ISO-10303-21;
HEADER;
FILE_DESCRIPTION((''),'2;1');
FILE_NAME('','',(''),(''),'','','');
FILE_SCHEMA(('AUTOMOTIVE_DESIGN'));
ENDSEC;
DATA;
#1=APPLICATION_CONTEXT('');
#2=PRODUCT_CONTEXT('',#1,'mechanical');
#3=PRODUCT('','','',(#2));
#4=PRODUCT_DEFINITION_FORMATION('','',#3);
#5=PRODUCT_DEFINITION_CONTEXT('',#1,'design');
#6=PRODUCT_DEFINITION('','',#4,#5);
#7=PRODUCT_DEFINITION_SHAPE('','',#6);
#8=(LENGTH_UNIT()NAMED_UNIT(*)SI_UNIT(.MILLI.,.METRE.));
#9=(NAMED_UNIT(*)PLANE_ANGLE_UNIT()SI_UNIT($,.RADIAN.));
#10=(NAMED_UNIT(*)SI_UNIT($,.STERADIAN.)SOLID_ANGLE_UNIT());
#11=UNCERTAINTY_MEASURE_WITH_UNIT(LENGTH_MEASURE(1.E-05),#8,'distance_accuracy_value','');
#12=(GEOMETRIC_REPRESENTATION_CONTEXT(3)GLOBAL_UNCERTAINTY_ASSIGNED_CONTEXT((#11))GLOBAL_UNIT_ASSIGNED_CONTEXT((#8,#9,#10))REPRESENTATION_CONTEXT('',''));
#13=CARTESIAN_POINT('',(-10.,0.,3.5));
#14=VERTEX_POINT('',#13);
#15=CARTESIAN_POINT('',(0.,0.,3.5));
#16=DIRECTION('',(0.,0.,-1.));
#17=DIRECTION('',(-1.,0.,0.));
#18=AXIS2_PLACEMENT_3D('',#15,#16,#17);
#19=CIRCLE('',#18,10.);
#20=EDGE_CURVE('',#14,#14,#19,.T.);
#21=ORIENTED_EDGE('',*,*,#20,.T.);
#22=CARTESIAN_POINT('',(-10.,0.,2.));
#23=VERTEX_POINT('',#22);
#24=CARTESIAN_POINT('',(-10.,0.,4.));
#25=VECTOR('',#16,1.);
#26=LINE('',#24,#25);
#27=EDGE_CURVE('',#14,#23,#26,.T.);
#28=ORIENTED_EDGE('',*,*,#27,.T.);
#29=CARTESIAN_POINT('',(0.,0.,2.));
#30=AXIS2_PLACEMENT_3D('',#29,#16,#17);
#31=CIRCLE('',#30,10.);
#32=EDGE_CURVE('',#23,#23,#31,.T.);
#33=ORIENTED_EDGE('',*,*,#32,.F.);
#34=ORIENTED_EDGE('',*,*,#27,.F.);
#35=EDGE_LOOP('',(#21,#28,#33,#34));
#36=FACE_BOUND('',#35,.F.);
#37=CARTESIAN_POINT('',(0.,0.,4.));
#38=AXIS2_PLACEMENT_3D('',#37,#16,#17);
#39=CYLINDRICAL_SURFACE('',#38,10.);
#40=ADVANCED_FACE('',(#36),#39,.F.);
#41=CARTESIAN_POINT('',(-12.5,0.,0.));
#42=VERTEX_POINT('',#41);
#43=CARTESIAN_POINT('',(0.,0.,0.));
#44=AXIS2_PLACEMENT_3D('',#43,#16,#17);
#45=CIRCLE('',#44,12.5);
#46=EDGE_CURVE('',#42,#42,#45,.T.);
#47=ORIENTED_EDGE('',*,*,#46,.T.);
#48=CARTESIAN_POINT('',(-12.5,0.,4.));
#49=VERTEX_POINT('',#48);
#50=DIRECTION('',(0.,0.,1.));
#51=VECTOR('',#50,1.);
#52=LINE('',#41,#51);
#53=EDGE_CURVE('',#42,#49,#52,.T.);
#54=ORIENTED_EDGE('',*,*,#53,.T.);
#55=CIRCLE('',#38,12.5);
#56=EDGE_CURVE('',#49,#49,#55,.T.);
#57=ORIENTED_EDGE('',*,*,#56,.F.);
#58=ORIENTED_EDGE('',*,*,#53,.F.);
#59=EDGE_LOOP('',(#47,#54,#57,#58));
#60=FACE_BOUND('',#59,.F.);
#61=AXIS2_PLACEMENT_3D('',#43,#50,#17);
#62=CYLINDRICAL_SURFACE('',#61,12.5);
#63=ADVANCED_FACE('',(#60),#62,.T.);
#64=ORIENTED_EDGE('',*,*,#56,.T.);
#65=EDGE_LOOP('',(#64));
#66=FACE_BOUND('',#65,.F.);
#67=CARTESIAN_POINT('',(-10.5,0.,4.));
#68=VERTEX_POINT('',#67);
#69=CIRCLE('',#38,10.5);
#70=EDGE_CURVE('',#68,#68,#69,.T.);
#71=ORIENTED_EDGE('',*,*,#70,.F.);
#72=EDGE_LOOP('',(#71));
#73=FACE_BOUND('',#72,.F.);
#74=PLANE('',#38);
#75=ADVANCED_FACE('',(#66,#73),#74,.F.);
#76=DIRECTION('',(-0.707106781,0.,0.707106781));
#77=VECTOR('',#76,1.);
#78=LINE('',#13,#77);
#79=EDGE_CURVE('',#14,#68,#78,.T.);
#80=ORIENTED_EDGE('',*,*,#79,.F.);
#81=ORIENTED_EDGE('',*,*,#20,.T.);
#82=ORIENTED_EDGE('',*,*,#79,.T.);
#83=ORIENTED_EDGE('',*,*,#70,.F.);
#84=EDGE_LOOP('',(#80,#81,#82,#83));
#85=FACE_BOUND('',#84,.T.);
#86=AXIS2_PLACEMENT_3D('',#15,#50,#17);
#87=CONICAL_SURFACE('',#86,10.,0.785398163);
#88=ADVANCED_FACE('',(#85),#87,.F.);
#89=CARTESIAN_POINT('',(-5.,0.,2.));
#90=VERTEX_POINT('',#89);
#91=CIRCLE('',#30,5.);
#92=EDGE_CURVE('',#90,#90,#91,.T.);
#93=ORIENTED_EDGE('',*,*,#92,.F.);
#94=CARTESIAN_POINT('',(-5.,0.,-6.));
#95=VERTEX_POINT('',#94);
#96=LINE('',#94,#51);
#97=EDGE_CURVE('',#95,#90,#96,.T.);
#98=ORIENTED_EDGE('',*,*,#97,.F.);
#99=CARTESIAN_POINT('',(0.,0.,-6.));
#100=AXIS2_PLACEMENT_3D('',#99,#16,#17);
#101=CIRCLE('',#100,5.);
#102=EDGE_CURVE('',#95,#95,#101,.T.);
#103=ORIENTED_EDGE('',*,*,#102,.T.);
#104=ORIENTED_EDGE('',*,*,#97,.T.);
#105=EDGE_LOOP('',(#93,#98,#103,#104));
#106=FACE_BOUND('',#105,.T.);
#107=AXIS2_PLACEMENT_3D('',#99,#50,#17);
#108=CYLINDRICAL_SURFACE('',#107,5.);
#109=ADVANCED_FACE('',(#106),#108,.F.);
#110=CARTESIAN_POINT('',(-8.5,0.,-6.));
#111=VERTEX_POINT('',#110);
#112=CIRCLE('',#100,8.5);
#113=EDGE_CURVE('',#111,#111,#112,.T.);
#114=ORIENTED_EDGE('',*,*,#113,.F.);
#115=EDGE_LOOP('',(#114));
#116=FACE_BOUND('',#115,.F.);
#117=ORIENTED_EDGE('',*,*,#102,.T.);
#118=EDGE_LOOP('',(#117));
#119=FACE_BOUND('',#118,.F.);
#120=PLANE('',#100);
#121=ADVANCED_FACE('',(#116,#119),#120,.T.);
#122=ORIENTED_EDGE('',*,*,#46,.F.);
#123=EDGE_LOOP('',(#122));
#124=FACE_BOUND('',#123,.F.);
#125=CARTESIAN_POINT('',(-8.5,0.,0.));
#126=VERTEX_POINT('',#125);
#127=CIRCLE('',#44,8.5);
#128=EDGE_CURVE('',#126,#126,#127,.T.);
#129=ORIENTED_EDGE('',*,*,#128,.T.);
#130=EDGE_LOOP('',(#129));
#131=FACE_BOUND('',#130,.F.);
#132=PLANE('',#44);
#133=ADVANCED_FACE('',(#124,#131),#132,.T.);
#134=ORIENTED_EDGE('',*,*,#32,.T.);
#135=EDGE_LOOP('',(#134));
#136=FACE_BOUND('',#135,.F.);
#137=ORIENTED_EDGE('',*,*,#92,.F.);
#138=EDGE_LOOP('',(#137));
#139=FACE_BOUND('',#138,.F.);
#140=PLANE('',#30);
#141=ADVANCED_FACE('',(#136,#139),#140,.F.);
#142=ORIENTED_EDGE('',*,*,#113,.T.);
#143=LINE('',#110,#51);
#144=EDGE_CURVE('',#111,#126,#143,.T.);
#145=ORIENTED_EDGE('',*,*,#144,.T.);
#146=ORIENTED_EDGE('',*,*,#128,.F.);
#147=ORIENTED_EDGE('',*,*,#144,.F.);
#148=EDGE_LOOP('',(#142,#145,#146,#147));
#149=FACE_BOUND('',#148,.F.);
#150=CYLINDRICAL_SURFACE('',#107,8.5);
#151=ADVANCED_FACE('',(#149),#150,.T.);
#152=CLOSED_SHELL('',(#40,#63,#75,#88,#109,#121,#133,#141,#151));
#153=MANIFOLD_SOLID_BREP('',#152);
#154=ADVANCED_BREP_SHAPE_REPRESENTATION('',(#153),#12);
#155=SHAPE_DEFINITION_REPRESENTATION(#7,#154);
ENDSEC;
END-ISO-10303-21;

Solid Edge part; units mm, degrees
sketch "Sketch1" plane through (0, 0, 0) normal (0, -1, 0) x (1, 0, 0)
  line L0 (-5, -6) -> (-5, 2)
  line L1 (-10, 2) -> (-5, 2)
  line L2 (-10, 4) -> (-10, 2)
  line L3 (-12.5, 4) -> (-10, 4)
  line L4 (-12.5, 0) -> (-12.5, 4)
  line L5 (-8.5, 0) -> (-12.5, 0)
  line L6 (-8.5, -6) -> (-8.5, 0)
  line L7 (-5, -6) -> (-8.5, -6)
revolve "RevolvedProtrusion1" add sketch "Sketch1" angle 360 about axis through (0, 0, 54) along (0, 0, -1)
chamfer "Chamfer1" distance 0.5 angle 45 1 edges at (10, 0, 4)
properties material "Stahl 304, rostfrei"
